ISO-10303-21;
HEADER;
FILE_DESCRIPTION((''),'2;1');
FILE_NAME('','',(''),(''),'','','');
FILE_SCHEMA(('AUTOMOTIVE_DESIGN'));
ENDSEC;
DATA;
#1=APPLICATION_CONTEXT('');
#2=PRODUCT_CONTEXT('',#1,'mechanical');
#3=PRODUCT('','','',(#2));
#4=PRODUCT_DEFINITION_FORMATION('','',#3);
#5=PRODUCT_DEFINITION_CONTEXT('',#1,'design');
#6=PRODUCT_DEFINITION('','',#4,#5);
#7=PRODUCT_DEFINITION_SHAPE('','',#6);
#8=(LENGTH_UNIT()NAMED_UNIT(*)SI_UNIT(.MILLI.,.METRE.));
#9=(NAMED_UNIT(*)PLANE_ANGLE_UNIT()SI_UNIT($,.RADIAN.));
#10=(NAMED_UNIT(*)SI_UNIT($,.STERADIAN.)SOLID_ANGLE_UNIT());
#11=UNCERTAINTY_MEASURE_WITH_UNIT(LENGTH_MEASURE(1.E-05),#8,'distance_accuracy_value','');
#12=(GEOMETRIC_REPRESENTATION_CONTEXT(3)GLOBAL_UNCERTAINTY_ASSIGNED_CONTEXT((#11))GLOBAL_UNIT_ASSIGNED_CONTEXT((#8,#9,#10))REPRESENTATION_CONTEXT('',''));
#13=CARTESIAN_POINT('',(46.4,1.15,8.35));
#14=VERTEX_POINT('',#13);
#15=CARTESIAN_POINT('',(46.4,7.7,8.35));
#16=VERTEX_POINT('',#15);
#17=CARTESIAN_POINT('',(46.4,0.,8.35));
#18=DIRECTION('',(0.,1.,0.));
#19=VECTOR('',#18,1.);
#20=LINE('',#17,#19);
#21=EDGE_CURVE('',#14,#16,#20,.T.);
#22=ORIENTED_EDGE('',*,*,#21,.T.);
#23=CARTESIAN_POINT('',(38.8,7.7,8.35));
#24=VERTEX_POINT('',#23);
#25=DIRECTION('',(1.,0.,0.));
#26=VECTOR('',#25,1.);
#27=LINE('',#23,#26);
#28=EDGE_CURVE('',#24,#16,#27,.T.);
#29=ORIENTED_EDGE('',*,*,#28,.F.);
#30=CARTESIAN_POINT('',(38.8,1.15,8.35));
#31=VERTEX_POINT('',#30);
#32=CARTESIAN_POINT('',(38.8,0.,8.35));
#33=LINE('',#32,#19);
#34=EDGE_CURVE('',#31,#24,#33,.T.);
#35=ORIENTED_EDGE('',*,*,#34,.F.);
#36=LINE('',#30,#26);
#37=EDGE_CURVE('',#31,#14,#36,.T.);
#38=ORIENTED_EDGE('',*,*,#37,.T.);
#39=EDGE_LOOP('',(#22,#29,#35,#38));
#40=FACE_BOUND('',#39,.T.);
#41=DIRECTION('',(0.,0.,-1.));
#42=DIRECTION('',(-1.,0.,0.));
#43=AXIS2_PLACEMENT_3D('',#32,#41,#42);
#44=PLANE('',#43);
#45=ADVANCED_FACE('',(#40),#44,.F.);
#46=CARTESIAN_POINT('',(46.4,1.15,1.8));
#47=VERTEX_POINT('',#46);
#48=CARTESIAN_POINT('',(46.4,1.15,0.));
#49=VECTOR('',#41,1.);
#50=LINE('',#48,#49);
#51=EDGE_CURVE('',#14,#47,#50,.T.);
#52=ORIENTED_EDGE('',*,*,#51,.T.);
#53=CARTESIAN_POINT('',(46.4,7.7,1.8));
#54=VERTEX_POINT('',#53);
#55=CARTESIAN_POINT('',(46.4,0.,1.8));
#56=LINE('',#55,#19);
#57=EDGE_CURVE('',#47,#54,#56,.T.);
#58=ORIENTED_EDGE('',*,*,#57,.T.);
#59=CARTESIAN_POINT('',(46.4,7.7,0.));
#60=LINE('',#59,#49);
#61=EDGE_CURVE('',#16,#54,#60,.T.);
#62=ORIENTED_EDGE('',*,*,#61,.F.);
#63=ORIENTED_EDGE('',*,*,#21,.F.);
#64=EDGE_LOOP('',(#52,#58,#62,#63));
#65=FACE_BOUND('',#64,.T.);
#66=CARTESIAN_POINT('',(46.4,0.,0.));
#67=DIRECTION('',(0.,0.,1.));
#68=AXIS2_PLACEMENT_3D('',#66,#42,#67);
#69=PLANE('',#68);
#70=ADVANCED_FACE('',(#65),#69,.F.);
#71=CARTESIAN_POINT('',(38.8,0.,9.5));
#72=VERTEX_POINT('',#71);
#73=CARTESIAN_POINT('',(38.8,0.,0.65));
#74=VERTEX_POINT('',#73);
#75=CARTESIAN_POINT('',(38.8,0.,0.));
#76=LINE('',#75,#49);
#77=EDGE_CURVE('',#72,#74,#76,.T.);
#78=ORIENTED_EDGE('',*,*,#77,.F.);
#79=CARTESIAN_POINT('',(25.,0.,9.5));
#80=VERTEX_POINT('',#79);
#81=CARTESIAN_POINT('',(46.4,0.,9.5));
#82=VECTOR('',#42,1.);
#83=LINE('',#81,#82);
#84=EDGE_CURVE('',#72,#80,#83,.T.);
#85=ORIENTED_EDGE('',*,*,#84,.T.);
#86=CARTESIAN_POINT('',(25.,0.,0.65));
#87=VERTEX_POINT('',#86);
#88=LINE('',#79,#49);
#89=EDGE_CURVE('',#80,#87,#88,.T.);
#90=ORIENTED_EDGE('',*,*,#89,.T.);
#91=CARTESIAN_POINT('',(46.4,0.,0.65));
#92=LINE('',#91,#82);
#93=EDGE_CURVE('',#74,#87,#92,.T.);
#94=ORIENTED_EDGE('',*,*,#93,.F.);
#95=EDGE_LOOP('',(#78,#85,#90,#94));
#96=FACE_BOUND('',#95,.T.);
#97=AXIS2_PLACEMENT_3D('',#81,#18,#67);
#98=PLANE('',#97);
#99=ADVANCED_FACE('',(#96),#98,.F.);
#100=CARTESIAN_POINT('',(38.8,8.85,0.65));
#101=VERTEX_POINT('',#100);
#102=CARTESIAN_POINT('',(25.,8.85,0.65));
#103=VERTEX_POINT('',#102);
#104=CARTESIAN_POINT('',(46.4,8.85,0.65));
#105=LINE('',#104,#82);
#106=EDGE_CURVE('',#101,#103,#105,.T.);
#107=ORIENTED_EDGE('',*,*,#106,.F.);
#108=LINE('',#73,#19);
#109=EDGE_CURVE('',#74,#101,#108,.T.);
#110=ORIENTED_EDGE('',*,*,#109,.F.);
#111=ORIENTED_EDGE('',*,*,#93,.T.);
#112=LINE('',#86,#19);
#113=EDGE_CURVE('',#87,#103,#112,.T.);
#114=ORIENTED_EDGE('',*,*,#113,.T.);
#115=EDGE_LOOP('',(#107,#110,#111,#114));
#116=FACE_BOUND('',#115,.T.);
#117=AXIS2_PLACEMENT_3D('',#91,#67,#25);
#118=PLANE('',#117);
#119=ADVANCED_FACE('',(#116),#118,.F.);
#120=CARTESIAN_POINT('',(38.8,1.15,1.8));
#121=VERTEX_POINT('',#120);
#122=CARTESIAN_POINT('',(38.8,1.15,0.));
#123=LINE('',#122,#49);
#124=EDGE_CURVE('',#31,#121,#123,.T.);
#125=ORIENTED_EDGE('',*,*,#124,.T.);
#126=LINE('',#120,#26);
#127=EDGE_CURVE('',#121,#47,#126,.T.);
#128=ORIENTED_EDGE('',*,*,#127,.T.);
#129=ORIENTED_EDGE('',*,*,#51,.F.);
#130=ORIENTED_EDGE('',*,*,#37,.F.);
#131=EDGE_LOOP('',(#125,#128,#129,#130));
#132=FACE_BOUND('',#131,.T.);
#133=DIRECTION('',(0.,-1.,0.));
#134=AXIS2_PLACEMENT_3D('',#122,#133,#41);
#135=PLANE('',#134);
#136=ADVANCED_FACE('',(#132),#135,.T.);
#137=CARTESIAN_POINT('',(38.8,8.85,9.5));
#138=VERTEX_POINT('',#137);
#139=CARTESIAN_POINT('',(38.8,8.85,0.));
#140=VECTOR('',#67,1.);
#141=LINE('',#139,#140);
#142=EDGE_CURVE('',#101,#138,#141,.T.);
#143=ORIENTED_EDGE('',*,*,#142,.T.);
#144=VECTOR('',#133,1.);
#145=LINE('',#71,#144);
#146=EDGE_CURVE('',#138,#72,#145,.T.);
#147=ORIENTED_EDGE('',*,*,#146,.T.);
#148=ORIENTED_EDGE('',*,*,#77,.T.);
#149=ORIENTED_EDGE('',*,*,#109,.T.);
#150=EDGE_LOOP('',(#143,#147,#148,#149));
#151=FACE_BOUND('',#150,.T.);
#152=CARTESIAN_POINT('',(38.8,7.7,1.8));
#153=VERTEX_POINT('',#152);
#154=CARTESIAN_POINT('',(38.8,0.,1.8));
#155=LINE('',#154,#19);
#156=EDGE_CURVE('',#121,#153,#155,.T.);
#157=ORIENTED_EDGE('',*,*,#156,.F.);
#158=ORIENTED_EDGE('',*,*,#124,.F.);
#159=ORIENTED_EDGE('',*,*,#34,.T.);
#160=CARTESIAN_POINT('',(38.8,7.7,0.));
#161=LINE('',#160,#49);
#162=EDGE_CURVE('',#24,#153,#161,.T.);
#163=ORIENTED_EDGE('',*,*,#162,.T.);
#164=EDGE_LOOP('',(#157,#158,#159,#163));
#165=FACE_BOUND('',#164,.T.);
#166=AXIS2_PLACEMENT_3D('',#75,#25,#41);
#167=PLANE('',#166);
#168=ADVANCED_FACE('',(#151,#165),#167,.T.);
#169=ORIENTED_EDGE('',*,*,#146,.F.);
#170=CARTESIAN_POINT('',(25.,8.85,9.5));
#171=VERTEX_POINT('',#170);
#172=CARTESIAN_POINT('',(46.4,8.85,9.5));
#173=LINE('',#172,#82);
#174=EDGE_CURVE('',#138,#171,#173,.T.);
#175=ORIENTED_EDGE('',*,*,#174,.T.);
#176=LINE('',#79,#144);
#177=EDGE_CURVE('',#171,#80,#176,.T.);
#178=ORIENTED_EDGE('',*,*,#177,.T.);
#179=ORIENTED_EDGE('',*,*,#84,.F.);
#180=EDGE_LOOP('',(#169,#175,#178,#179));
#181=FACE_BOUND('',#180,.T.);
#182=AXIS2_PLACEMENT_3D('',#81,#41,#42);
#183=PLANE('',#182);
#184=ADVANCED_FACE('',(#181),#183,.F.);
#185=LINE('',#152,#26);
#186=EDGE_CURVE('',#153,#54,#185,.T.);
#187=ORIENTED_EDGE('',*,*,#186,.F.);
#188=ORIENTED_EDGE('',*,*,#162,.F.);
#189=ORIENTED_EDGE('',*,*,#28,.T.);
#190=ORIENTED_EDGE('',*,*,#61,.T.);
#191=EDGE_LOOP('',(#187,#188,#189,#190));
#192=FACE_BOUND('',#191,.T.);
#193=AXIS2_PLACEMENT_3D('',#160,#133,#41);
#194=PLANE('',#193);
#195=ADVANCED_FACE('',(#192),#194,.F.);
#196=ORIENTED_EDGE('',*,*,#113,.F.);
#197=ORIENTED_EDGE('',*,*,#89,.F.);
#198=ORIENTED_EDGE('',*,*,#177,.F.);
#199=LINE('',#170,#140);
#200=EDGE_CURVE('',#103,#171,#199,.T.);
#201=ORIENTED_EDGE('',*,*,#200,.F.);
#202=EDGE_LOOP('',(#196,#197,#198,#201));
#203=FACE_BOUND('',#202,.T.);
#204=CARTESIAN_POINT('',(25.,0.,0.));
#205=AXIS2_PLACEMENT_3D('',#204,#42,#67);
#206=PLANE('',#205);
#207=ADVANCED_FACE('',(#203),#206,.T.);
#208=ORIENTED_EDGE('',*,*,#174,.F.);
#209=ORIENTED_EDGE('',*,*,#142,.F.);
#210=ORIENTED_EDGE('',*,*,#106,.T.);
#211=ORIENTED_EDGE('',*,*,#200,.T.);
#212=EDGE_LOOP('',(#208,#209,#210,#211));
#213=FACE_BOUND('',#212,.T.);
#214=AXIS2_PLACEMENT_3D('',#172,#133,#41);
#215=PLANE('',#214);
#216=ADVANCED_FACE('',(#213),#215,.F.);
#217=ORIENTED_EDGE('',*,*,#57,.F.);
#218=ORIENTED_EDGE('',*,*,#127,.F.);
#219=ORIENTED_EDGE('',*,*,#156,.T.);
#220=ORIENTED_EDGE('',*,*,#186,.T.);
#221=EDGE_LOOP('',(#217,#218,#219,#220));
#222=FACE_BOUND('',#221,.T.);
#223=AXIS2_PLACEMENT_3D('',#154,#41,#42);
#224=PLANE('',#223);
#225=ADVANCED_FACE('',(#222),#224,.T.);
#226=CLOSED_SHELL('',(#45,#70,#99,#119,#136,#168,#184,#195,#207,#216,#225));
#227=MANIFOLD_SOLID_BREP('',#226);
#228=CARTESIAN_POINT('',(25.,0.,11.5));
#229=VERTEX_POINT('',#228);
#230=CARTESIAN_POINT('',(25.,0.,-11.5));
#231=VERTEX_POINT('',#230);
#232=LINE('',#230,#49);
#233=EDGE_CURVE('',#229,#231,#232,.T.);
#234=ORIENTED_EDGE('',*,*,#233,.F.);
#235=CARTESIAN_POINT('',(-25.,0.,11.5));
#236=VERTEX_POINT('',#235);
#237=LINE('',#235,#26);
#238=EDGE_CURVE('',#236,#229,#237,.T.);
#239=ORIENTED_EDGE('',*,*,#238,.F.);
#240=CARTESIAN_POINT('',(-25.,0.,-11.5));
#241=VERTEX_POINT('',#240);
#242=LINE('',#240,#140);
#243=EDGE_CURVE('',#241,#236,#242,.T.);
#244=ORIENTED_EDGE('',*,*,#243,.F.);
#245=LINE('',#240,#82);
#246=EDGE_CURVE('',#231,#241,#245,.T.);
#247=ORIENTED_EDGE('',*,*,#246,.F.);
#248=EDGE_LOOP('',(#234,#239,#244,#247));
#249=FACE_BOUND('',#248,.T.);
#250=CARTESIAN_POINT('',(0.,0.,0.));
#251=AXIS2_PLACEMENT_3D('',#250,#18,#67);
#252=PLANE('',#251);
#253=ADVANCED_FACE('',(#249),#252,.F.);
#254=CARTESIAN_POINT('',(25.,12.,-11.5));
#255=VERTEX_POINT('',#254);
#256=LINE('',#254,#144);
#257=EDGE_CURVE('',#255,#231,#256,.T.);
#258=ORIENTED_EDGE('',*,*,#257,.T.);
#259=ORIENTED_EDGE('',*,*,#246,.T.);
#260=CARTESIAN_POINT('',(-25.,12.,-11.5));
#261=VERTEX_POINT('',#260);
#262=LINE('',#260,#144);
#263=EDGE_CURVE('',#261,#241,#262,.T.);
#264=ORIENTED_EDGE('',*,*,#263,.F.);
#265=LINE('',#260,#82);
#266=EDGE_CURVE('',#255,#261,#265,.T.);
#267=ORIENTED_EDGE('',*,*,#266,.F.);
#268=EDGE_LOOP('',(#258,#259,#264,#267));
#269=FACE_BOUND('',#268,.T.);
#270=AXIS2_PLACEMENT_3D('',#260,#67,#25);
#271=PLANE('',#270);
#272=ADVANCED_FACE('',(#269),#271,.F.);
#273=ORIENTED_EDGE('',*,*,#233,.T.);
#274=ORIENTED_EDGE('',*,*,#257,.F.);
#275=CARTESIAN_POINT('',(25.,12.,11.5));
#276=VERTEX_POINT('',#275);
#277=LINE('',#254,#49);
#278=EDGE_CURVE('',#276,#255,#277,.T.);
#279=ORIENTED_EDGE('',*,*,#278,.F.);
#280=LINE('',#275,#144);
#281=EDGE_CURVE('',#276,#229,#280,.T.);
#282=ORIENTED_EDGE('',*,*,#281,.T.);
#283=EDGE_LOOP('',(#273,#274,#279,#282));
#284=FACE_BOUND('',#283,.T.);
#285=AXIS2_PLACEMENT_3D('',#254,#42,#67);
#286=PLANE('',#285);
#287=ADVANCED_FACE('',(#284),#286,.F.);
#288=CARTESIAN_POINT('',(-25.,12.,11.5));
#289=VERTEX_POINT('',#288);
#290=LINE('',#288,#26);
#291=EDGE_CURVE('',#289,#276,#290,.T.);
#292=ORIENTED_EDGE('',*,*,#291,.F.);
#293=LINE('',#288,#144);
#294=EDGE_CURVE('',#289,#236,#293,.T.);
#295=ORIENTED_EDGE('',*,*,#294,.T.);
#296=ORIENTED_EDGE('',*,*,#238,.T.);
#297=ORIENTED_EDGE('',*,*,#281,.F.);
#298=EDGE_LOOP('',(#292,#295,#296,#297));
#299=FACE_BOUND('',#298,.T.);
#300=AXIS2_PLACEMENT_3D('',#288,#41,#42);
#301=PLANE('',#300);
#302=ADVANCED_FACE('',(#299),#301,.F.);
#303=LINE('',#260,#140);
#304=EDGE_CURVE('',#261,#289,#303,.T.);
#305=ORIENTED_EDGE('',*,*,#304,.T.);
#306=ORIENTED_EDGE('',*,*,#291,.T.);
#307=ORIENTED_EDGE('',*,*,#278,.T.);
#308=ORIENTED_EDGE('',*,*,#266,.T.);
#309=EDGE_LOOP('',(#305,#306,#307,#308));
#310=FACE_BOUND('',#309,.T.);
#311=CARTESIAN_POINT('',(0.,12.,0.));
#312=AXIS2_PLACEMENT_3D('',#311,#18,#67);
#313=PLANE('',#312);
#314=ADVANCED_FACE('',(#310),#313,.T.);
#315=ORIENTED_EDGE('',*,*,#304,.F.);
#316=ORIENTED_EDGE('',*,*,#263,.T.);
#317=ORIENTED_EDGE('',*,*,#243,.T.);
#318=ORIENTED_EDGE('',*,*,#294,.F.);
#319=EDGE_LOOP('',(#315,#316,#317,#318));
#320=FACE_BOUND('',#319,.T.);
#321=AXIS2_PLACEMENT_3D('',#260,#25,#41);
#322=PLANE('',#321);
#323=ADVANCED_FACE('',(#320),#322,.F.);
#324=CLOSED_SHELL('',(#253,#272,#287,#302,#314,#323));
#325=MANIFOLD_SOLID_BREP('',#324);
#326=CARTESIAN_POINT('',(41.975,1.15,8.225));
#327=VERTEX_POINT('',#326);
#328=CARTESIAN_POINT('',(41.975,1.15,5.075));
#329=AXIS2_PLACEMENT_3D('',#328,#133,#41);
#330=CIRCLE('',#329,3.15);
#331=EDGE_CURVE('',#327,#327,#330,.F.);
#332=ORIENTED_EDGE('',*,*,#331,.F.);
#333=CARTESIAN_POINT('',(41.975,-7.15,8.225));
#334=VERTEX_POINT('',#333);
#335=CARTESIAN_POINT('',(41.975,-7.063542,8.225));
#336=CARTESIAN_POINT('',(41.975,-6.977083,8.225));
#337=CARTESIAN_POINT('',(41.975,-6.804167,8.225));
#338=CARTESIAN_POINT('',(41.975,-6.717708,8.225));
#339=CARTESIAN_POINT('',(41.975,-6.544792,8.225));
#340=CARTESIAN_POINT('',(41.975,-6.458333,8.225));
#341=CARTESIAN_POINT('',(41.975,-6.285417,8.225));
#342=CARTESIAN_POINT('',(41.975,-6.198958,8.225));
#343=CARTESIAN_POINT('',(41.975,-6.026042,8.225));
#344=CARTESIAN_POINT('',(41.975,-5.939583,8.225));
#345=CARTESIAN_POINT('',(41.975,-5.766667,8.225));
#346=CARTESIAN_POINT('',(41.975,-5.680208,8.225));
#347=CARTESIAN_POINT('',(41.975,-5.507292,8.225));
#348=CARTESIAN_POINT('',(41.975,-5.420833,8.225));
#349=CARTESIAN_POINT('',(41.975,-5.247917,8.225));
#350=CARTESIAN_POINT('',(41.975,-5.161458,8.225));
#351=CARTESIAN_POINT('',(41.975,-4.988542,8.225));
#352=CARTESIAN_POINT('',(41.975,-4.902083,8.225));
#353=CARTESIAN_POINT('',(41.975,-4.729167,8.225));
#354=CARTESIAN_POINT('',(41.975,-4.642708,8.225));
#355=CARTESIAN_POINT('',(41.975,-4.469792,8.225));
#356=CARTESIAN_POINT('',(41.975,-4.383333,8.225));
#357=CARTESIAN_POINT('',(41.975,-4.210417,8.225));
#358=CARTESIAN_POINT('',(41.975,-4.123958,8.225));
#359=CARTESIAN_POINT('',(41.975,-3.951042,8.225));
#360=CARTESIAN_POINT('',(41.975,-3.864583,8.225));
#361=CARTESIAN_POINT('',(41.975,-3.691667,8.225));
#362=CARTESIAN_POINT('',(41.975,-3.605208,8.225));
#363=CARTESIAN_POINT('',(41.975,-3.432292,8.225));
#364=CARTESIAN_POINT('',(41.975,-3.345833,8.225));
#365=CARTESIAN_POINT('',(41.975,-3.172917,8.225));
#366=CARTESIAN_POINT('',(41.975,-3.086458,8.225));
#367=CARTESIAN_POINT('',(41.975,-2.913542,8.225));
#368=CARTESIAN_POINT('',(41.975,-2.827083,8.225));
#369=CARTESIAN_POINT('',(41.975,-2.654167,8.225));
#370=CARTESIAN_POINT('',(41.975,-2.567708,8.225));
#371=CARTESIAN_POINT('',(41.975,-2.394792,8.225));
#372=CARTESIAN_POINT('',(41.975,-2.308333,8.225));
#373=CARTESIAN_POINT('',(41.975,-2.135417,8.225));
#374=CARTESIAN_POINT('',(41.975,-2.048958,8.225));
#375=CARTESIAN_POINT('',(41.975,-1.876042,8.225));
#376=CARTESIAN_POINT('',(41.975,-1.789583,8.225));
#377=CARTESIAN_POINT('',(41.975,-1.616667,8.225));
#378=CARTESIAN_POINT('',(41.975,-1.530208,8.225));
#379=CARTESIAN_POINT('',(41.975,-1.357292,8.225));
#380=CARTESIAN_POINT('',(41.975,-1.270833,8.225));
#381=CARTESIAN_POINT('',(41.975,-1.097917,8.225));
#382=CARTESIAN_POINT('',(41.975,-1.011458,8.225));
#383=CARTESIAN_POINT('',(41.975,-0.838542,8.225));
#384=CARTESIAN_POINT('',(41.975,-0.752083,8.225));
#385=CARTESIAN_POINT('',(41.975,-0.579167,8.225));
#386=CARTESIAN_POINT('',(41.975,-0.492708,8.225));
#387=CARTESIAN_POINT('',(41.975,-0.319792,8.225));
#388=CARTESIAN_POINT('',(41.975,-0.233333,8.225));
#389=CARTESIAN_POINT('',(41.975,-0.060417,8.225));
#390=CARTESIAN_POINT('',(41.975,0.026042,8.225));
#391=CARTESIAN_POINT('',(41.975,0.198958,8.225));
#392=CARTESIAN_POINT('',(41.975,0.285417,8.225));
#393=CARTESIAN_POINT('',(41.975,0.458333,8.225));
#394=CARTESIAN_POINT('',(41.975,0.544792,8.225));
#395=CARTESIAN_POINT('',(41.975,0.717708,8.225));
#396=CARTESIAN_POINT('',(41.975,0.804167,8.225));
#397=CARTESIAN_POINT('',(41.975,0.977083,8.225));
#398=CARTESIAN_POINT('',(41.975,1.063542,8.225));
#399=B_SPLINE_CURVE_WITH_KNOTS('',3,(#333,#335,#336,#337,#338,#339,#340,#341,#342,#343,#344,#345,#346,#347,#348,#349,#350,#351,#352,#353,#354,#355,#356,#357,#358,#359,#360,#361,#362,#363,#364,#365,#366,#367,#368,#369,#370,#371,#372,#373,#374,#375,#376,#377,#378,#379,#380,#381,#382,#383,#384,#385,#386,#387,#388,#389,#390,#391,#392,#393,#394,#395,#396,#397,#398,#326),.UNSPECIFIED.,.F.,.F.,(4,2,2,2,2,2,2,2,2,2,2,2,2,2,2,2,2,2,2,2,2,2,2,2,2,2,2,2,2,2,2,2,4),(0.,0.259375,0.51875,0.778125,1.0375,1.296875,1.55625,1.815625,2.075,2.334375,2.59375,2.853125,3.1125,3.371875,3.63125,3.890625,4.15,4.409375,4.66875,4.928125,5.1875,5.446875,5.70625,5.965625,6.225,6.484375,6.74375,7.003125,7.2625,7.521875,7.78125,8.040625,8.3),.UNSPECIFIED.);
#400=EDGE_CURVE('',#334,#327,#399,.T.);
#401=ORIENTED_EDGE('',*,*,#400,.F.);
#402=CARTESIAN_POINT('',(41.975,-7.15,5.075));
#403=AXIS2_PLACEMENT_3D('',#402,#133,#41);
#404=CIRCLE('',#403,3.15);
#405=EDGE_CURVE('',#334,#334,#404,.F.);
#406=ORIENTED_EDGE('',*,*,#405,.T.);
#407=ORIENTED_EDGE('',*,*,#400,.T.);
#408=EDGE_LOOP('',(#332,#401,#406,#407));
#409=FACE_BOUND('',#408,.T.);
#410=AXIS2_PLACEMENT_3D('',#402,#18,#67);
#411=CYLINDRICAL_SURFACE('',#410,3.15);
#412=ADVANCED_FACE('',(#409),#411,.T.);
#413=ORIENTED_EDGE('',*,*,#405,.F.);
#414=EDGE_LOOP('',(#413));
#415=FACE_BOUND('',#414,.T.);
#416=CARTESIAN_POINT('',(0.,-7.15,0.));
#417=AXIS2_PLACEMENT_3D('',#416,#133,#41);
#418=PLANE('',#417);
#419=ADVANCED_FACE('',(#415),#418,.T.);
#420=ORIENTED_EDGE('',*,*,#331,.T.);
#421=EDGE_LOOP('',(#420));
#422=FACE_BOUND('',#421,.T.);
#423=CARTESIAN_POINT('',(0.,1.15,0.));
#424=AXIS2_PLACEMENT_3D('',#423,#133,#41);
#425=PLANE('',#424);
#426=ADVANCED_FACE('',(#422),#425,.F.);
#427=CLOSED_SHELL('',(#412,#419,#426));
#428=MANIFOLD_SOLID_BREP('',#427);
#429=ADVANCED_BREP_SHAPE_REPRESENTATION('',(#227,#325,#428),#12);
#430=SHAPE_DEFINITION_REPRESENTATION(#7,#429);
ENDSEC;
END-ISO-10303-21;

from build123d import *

# Parameters (mm, degrees)
SKETCH1_W           = 50
SKETCH1_H           = 23
BOSS_EXTRUDE2_DEPTH = 12
SKETCH2_W           = 8.85
SKETCH2_H           = 8.85
BOSS_EXTRUDE3_DEPTH = 21.4
SKETCH4_W           = 8.85
SKETCH4_H           = 8.85
SKETCH4_W_2         = 6.55
SKETCH4_H_2         = 6.55
CUT_EXTRUDE1_DEPTH  = 7.6
SKETCH3_R           = 3.15
BOSS_EXTRUDE4_DEPTH = 8.3


with BuildPart() as part:
    # Sketch1 → Boss-Extrude2 (new body)
    with BuildSketch(Plane(origin=(0, 0, 0), x_dir=(1, 0, 0), z_dir=(0, 1, 0))):
        Rectangle(SKETCH1_W, SKETCH1_H)
    extrude(amount=BOSS_EXTRUDE2_DEPTH)


with BuildPart() as body_2:
    # Sketch2 → Boss-Extrude3 (new body)
    with BuildSketch(Plane(origin=(25, 0, 0), x_dir=(0, 0, -1), z_dir=(1, 0, 0))):
        with Locations((-5.075, 4.425)):
            Rectangle(SKETCH2_W, SKETCH2_H)
    extrude(amount=BOSS_EXTRUDE3_DEPTH)

    # Sketch4 → Cut-Extrude1 (cut)
    with BuildSketch(Plane(origin=(46.4, 0, 0), x_dir=(0, 0, -1), z_dir=(1, 0, 0))):
        with Locations((-5.075, 4.425)):
            Rectangle(SKETCH4_W, SKETCH4_H)
        with Locations((-5.075, 4.425)):
            Rectangle(SKETCH4_W_2, SKETCH4_H_2, mode=Mode.SUBTRACT)
    extrude(amount=-CUT_EXTRUDE1_DEPTH, mode=Mode.SUBTRACT)


with BuildPart() as body_3:
    # Sketch3 → Boss-Extrude4 (new body)
    with BuildSketch(Plane(origin=(0, 1.15, 0), x_dir=(1, 0, 0), z_dir=(0, 1, 0))):
        with Locations(Location((41.975, -5.075, 0), (0, 0, 270))):
            Circle(SKETCH3_R)
    extrude(amount=-BOSS_EXTRUDE4_DEPTH)


solid = Compound([part.part, body_2.part, body_3.part])
